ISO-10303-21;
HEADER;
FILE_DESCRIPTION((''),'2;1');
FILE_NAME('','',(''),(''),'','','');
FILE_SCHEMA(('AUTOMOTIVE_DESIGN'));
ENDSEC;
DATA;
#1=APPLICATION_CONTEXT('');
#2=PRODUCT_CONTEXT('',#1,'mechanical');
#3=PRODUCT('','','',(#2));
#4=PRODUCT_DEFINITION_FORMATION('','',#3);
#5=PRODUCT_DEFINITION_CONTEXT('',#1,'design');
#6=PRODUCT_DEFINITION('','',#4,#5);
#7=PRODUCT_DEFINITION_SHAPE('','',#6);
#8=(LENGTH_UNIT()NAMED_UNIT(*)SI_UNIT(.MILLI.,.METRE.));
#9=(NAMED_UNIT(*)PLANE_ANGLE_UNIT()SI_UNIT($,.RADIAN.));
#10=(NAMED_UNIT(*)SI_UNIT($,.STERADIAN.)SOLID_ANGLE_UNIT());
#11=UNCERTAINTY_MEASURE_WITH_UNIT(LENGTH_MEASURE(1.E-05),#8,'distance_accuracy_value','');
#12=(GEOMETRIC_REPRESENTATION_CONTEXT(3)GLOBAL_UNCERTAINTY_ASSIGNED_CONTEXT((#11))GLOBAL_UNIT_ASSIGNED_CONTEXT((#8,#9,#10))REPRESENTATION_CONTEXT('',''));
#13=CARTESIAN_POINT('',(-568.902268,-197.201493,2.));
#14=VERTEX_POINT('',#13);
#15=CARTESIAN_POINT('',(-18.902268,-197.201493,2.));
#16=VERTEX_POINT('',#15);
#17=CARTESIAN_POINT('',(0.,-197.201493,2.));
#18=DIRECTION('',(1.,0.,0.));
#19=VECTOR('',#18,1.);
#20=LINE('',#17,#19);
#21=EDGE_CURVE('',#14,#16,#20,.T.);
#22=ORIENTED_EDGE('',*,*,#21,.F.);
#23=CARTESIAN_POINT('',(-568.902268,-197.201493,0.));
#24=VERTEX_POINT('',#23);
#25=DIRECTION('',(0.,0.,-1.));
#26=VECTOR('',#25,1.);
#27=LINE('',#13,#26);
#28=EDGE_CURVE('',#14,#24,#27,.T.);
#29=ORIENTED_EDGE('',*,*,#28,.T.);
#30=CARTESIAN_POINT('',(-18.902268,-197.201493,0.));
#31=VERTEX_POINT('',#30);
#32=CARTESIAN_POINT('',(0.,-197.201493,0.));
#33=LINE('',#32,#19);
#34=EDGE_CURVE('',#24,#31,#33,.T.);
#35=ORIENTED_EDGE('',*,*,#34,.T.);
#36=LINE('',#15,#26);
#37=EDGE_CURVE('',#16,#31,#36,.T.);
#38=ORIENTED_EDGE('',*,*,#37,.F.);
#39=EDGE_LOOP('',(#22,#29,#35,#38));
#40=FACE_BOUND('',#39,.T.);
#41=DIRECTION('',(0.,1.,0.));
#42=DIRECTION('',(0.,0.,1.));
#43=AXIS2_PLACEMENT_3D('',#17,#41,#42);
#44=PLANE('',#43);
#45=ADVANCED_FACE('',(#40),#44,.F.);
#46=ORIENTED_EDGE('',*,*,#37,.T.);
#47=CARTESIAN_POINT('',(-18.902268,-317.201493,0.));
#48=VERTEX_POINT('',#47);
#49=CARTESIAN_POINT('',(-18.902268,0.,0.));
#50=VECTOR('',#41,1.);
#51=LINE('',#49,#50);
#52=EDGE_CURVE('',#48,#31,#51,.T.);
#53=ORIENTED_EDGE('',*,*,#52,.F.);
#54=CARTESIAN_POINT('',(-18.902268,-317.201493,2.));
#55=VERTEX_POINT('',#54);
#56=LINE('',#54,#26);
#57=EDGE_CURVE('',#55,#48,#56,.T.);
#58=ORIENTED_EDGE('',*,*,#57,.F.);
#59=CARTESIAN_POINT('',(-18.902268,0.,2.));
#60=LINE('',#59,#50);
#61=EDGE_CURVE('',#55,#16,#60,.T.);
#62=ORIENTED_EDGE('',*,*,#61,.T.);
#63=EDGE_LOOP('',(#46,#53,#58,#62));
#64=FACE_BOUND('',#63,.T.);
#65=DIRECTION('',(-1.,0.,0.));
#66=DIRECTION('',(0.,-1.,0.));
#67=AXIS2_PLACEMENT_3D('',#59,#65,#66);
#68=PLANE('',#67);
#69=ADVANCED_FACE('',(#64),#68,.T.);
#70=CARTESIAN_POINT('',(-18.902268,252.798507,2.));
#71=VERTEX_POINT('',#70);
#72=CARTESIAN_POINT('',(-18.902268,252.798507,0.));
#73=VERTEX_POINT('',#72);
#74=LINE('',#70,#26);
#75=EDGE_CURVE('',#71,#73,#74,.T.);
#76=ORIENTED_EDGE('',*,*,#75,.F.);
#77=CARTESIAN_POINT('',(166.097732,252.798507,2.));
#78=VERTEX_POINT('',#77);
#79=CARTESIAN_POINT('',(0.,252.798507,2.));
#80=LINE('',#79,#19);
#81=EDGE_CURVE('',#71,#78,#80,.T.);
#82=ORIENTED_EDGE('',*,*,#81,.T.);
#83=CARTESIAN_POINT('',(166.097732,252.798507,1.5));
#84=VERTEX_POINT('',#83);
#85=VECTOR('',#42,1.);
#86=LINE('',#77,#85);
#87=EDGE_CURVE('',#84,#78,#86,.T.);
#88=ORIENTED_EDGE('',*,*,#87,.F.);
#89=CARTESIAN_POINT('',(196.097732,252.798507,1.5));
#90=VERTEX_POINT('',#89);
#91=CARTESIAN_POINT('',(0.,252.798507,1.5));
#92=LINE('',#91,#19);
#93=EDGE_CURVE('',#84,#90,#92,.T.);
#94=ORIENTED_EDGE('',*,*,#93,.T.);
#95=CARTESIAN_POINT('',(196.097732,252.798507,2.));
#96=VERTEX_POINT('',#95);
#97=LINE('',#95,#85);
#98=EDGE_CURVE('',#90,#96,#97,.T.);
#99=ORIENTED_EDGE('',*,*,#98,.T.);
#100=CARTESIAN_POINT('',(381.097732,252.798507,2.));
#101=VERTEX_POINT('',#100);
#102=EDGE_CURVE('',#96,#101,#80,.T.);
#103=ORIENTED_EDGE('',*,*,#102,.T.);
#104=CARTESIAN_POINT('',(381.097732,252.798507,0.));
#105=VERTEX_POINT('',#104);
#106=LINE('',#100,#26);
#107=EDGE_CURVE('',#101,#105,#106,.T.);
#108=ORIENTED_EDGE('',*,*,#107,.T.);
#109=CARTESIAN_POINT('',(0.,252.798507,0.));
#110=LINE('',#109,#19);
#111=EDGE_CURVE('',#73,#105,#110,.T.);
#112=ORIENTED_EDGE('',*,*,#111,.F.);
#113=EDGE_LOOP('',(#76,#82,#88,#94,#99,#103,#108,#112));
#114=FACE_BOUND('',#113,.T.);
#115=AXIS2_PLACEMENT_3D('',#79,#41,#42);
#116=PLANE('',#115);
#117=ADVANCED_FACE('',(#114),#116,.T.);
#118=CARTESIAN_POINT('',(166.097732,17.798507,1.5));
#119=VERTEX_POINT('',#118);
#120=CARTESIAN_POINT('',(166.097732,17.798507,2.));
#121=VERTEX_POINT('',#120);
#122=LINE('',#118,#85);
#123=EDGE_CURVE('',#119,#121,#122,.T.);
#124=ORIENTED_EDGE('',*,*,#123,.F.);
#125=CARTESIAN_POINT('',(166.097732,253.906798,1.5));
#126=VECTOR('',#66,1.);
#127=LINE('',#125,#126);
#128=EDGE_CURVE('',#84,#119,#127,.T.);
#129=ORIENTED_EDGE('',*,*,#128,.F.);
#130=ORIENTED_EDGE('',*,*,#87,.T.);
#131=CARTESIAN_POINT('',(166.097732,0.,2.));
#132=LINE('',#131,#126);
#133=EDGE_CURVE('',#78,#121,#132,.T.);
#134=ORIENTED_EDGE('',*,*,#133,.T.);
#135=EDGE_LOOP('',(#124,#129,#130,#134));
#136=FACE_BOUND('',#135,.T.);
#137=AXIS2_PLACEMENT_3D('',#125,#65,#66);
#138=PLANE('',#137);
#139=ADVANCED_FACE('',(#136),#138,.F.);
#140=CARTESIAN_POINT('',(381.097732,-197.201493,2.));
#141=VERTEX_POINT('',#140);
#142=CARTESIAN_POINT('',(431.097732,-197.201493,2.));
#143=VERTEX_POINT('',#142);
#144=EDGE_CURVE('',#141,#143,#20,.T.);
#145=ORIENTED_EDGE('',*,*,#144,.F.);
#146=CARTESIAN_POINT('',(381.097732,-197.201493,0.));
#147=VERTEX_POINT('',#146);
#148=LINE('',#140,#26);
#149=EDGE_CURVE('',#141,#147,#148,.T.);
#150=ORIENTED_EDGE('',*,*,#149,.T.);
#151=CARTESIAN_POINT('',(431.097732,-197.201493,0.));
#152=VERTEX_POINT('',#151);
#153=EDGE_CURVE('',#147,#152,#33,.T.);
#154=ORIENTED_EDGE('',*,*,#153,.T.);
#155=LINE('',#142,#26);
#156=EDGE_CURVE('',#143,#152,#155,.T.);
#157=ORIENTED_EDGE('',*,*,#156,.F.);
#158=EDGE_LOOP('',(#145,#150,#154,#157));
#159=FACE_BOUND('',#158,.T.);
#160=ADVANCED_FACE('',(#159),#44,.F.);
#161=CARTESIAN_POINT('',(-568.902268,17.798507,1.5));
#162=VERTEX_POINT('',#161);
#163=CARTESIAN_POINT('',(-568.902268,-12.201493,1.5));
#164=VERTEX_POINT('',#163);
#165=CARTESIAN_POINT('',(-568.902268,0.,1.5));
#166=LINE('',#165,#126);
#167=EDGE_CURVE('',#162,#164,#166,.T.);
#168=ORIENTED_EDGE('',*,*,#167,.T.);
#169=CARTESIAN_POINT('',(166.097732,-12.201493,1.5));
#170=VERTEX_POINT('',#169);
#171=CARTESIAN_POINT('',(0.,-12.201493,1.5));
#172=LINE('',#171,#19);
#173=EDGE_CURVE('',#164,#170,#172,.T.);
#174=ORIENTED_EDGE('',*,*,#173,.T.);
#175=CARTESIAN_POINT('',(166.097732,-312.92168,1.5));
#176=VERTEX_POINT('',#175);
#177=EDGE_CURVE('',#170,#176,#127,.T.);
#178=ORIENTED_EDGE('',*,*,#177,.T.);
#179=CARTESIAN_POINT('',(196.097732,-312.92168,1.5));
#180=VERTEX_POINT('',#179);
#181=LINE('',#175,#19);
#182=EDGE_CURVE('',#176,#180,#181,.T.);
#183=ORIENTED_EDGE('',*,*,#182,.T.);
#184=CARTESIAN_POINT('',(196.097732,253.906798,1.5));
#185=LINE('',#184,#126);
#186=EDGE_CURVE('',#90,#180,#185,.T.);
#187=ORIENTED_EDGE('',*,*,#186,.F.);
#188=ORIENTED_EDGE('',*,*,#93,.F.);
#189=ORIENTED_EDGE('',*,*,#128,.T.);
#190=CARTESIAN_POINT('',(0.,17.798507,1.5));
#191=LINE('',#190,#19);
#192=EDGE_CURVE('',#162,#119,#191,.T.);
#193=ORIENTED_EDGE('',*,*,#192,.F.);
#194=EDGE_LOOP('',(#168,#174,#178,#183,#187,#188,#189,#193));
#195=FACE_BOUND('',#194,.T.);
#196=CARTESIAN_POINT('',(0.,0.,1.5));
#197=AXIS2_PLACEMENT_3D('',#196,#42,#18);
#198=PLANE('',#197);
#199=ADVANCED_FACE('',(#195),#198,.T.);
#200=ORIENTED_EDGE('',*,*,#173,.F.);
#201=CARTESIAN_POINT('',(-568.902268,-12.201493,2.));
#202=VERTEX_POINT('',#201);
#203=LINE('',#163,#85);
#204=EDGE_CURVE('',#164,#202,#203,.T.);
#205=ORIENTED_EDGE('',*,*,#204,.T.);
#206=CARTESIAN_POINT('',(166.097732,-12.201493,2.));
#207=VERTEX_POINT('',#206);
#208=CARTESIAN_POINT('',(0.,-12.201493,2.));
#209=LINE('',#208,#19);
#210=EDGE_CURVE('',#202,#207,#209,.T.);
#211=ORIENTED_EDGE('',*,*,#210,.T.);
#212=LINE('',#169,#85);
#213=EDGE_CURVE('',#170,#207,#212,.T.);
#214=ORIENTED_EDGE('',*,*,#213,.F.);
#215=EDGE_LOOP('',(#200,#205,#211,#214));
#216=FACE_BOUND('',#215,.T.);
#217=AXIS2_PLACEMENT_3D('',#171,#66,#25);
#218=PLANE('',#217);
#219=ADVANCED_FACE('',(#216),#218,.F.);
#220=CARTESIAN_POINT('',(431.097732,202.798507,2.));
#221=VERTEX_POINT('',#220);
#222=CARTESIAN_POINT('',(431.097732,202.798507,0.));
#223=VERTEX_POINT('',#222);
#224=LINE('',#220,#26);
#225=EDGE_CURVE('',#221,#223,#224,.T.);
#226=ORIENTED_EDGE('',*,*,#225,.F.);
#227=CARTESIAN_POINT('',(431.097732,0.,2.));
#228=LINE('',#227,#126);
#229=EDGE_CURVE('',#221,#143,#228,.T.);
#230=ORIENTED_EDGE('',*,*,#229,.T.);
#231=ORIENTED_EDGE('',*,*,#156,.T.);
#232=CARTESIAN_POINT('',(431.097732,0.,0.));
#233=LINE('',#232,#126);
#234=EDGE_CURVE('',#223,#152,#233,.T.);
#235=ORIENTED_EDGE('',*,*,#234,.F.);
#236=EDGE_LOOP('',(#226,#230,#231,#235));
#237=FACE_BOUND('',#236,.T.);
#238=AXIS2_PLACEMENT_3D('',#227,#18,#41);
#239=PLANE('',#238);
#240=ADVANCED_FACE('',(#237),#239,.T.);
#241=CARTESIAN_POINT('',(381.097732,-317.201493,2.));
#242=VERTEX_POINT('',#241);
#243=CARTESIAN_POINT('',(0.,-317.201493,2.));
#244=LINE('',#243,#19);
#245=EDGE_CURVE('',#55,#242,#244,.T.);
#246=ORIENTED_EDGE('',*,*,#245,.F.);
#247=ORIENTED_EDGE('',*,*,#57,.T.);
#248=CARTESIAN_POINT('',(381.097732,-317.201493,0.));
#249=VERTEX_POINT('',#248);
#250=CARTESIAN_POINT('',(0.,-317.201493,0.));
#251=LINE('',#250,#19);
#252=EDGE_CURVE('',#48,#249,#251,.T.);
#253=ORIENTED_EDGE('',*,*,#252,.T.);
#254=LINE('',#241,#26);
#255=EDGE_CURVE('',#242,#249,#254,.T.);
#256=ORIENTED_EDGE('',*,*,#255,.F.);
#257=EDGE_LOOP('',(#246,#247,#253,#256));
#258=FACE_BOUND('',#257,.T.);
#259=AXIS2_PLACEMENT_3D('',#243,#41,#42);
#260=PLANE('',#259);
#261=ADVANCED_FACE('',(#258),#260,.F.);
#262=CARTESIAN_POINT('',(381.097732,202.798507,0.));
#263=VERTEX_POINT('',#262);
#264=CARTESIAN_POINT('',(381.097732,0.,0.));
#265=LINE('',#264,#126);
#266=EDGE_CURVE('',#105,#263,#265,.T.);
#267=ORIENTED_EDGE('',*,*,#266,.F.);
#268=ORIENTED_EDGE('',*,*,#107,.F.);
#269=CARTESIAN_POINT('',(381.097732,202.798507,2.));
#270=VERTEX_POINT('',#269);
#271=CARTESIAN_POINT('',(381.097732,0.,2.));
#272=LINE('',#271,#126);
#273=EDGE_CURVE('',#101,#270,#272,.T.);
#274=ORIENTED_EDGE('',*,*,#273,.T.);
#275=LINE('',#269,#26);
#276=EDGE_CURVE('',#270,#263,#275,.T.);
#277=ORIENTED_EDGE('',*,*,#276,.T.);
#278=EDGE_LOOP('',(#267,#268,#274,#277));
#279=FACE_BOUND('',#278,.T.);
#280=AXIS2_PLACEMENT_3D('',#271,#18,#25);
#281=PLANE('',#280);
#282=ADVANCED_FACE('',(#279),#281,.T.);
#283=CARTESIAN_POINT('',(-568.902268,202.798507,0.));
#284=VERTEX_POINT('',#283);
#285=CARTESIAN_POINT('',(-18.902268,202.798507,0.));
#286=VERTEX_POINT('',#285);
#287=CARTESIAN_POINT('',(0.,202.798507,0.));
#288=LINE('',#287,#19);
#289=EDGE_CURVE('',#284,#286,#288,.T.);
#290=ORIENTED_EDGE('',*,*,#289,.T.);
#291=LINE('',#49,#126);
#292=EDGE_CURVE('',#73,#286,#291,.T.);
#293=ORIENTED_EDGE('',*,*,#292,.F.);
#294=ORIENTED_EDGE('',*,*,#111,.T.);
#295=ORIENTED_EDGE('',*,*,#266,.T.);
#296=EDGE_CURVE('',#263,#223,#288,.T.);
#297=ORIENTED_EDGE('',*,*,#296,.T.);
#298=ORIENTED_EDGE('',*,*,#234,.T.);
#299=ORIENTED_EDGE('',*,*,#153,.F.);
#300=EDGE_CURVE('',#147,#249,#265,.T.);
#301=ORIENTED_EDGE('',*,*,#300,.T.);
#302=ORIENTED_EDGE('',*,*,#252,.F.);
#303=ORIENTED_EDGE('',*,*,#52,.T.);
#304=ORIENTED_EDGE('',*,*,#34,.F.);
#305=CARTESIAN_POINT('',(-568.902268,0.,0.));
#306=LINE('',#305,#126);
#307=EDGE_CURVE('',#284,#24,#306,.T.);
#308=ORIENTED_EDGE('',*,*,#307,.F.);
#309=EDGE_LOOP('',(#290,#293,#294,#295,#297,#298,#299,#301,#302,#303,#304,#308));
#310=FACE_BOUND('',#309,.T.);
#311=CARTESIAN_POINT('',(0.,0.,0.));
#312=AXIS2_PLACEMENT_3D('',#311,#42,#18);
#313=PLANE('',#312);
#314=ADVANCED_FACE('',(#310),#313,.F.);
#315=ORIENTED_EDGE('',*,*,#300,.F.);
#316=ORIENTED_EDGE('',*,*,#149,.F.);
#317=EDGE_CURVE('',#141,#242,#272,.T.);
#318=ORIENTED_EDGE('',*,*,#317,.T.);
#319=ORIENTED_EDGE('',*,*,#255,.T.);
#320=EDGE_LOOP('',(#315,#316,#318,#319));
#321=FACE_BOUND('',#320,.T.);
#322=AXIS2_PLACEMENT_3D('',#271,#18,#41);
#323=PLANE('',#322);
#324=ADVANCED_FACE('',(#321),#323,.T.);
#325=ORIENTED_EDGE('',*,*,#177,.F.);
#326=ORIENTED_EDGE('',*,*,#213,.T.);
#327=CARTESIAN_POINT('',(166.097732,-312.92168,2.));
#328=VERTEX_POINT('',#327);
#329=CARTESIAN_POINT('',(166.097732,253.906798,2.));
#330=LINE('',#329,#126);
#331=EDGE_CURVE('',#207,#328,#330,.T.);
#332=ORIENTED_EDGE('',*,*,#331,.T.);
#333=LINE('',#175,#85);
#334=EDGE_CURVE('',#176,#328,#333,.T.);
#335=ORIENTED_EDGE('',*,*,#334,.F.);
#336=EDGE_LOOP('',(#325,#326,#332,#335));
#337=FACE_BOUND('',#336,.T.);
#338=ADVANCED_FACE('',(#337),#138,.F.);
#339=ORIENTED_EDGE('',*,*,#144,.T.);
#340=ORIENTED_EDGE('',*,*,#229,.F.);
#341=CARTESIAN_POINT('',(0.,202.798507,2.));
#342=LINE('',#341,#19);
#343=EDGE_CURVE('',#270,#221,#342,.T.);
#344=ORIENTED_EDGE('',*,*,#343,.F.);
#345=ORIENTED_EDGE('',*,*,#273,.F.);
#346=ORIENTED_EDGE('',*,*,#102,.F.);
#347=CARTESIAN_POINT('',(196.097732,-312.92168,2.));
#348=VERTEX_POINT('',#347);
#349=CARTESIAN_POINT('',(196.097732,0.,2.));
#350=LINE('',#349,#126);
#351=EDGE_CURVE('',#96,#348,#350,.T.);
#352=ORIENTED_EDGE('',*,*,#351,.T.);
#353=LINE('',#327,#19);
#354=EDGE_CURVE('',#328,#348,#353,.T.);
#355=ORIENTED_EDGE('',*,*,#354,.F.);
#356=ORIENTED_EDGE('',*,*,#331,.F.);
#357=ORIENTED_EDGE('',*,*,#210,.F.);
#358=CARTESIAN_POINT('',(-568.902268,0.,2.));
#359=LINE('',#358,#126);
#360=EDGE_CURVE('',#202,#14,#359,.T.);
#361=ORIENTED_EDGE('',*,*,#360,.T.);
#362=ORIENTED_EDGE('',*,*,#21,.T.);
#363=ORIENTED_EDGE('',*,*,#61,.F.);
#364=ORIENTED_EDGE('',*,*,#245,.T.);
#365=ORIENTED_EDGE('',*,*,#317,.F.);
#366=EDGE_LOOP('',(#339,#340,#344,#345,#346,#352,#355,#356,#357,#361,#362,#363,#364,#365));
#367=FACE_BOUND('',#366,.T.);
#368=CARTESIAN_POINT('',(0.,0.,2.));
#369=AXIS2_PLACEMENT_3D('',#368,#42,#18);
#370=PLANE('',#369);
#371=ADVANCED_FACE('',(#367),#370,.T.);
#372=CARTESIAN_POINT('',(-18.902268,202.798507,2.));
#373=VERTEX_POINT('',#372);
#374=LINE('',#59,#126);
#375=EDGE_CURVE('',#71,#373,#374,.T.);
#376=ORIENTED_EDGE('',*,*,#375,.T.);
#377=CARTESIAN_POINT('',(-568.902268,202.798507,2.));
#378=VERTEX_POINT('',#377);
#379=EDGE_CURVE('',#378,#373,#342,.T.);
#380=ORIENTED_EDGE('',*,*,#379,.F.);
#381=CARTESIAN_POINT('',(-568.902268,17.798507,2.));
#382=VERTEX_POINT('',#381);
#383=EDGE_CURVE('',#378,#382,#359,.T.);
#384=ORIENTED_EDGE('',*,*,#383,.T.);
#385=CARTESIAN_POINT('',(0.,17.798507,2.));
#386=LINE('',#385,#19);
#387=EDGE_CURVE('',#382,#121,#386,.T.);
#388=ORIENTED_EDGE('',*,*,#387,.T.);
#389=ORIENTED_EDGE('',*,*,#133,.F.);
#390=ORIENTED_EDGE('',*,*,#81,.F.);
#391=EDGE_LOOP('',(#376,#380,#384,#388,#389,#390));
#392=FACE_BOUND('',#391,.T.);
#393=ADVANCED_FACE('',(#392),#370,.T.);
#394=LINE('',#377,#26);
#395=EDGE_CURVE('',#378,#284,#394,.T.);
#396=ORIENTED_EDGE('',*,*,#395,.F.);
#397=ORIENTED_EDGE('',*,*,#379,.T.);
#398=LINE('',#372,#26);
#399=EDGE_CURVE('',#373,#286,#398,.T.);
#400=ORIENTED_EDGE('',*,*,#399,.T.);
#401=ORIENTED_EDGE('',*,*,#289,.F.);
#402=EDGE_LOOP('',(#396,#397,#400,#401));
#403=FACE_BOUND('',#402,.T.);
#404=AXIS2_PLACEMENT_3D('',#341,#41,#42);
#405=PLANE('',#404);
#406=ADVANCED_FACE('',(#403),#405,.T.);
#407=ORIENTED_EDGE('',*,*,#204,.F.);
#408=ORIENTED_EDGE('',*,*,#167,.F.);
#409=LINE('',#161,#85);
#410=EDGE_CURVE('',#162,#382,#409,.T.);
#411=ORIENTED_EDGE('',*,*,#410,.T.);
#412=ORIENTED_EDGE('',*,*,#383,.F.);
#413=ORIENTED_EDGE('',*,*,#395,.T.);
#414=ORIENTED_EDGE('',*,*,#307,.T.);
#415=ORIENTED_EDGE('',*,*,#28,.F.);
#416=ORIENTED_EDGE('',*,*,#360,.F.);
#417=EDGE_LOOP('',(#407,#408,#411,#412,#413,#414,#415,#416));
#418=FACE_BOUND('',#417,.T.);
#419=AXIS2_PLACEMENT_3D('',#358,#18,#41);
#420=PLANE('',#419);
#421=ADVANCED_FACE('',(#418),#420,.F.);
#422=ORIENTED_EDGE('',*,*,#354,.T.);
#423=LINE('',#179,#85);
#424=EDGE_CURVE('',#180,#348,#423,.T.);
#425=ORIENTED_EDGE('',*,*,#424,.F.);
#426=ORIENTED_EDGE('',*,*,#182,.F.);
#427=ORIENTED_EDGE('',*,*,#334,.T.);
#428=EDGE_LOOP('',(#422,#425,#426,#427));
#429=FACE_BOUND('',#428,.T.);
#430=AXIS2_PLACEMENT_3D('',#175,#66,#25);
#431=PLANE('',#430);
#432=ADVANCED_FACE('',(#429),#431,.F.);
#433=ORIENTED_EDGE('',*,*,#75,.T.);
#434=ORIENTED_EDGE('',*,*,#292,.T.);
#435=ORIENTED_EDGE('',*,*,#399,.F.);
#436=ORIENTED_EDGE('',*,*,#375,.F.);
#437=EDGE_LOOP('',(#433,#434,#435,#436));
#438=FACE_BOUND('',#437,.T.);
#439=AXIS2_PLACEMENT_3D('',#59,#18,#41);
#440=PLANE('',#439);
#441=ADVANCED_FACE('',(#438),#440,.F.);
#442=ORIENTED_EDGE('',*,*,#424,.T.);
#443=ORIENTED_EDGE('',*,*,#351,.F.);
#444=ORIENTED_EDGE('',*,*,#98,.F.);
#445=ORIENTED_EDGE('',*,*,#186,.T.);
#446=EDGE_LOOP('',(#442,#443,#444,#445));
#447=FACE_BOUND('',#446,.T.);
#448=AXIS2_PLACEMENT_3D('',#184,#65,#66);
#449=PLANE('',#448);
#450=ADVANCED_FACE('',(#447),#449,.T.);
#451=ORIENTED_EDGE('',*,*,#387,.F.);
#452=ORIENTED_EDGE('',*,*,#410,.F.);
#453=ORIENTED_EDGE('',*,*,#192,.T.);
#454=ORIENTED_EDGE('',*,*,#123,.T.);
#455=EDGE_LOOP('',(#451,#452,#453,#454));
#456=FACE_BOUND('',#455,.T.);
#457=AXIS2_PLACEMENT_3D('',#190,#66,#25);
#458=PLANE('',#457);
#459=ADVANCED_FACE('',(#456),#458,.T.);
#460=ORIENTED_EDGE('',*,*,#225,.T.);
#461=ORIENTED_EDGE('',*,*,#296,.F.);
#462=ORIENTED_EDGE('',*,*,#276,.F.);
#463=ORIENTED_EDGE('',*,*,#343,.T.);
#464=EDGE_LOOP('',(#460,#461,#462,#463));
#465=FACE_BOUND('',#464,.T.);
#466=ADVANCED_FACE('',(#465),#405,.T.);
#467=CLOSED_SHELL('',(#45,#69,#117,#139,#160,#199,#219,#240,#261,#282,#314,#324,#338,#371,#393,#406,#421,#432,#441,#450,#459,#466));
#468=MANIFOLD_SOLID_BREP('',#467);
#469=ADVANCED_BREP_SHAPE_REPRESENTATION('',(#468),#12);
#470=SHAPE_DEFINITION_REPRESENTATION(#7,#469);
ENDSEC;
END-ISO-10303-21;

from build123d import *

# Parameters (mm, degrees)
BOSS_EXTRUDE2_DEPTH = 2
SKETCH3_W           = 735
SKETCH3_H           = 30
SKETCH3_W_2         = 30
SKETCH3_H_2         = 566.828478147
CUT_EXTRUDE1_DEPTH  = 0.5


with BuildPart() as part:
    # Sketch1 → Boss-Extrude2 (new body)
    with BuildSketch(Plane.XY):
        Polygon((381.097732077, 252.798507463), (-18.902267923, 252.798507463), (-18.902267923, 202.798507463), (-568.902267923, 202.798507463), (-568.902267923, -197.201492537), (-18.902267923, -197.201492537), (-18.902267923, -317.201492537), (381.097732077, -317.201492537), (381.097732077, -197.201492537), (431.097732077, -197.201492537), (431.097732077, 202.798507463), (381.097732077, 202.798507463), align=None)
    extrude(amount=BOSS_EXTRUDE2_DEPTH)

    # Sketch3 → Cut-Extrude1 (cut)
    with BuildSketch(Plane.XY.offset(2)):
        with Locations((-201.402267923, 2.798507463)):
            Rectangle(SKETCH3_W, SKETCH3_H)
        with Locations((181.097732077, -29.507440836)):
            Rectangle(SKETCH3_W_2, SKETCH3_H_2)
    extrude(amount=-CUT_EXTRUDE1_DEPTH, mode=Mode.SUBTRACT)


solid = part.part
